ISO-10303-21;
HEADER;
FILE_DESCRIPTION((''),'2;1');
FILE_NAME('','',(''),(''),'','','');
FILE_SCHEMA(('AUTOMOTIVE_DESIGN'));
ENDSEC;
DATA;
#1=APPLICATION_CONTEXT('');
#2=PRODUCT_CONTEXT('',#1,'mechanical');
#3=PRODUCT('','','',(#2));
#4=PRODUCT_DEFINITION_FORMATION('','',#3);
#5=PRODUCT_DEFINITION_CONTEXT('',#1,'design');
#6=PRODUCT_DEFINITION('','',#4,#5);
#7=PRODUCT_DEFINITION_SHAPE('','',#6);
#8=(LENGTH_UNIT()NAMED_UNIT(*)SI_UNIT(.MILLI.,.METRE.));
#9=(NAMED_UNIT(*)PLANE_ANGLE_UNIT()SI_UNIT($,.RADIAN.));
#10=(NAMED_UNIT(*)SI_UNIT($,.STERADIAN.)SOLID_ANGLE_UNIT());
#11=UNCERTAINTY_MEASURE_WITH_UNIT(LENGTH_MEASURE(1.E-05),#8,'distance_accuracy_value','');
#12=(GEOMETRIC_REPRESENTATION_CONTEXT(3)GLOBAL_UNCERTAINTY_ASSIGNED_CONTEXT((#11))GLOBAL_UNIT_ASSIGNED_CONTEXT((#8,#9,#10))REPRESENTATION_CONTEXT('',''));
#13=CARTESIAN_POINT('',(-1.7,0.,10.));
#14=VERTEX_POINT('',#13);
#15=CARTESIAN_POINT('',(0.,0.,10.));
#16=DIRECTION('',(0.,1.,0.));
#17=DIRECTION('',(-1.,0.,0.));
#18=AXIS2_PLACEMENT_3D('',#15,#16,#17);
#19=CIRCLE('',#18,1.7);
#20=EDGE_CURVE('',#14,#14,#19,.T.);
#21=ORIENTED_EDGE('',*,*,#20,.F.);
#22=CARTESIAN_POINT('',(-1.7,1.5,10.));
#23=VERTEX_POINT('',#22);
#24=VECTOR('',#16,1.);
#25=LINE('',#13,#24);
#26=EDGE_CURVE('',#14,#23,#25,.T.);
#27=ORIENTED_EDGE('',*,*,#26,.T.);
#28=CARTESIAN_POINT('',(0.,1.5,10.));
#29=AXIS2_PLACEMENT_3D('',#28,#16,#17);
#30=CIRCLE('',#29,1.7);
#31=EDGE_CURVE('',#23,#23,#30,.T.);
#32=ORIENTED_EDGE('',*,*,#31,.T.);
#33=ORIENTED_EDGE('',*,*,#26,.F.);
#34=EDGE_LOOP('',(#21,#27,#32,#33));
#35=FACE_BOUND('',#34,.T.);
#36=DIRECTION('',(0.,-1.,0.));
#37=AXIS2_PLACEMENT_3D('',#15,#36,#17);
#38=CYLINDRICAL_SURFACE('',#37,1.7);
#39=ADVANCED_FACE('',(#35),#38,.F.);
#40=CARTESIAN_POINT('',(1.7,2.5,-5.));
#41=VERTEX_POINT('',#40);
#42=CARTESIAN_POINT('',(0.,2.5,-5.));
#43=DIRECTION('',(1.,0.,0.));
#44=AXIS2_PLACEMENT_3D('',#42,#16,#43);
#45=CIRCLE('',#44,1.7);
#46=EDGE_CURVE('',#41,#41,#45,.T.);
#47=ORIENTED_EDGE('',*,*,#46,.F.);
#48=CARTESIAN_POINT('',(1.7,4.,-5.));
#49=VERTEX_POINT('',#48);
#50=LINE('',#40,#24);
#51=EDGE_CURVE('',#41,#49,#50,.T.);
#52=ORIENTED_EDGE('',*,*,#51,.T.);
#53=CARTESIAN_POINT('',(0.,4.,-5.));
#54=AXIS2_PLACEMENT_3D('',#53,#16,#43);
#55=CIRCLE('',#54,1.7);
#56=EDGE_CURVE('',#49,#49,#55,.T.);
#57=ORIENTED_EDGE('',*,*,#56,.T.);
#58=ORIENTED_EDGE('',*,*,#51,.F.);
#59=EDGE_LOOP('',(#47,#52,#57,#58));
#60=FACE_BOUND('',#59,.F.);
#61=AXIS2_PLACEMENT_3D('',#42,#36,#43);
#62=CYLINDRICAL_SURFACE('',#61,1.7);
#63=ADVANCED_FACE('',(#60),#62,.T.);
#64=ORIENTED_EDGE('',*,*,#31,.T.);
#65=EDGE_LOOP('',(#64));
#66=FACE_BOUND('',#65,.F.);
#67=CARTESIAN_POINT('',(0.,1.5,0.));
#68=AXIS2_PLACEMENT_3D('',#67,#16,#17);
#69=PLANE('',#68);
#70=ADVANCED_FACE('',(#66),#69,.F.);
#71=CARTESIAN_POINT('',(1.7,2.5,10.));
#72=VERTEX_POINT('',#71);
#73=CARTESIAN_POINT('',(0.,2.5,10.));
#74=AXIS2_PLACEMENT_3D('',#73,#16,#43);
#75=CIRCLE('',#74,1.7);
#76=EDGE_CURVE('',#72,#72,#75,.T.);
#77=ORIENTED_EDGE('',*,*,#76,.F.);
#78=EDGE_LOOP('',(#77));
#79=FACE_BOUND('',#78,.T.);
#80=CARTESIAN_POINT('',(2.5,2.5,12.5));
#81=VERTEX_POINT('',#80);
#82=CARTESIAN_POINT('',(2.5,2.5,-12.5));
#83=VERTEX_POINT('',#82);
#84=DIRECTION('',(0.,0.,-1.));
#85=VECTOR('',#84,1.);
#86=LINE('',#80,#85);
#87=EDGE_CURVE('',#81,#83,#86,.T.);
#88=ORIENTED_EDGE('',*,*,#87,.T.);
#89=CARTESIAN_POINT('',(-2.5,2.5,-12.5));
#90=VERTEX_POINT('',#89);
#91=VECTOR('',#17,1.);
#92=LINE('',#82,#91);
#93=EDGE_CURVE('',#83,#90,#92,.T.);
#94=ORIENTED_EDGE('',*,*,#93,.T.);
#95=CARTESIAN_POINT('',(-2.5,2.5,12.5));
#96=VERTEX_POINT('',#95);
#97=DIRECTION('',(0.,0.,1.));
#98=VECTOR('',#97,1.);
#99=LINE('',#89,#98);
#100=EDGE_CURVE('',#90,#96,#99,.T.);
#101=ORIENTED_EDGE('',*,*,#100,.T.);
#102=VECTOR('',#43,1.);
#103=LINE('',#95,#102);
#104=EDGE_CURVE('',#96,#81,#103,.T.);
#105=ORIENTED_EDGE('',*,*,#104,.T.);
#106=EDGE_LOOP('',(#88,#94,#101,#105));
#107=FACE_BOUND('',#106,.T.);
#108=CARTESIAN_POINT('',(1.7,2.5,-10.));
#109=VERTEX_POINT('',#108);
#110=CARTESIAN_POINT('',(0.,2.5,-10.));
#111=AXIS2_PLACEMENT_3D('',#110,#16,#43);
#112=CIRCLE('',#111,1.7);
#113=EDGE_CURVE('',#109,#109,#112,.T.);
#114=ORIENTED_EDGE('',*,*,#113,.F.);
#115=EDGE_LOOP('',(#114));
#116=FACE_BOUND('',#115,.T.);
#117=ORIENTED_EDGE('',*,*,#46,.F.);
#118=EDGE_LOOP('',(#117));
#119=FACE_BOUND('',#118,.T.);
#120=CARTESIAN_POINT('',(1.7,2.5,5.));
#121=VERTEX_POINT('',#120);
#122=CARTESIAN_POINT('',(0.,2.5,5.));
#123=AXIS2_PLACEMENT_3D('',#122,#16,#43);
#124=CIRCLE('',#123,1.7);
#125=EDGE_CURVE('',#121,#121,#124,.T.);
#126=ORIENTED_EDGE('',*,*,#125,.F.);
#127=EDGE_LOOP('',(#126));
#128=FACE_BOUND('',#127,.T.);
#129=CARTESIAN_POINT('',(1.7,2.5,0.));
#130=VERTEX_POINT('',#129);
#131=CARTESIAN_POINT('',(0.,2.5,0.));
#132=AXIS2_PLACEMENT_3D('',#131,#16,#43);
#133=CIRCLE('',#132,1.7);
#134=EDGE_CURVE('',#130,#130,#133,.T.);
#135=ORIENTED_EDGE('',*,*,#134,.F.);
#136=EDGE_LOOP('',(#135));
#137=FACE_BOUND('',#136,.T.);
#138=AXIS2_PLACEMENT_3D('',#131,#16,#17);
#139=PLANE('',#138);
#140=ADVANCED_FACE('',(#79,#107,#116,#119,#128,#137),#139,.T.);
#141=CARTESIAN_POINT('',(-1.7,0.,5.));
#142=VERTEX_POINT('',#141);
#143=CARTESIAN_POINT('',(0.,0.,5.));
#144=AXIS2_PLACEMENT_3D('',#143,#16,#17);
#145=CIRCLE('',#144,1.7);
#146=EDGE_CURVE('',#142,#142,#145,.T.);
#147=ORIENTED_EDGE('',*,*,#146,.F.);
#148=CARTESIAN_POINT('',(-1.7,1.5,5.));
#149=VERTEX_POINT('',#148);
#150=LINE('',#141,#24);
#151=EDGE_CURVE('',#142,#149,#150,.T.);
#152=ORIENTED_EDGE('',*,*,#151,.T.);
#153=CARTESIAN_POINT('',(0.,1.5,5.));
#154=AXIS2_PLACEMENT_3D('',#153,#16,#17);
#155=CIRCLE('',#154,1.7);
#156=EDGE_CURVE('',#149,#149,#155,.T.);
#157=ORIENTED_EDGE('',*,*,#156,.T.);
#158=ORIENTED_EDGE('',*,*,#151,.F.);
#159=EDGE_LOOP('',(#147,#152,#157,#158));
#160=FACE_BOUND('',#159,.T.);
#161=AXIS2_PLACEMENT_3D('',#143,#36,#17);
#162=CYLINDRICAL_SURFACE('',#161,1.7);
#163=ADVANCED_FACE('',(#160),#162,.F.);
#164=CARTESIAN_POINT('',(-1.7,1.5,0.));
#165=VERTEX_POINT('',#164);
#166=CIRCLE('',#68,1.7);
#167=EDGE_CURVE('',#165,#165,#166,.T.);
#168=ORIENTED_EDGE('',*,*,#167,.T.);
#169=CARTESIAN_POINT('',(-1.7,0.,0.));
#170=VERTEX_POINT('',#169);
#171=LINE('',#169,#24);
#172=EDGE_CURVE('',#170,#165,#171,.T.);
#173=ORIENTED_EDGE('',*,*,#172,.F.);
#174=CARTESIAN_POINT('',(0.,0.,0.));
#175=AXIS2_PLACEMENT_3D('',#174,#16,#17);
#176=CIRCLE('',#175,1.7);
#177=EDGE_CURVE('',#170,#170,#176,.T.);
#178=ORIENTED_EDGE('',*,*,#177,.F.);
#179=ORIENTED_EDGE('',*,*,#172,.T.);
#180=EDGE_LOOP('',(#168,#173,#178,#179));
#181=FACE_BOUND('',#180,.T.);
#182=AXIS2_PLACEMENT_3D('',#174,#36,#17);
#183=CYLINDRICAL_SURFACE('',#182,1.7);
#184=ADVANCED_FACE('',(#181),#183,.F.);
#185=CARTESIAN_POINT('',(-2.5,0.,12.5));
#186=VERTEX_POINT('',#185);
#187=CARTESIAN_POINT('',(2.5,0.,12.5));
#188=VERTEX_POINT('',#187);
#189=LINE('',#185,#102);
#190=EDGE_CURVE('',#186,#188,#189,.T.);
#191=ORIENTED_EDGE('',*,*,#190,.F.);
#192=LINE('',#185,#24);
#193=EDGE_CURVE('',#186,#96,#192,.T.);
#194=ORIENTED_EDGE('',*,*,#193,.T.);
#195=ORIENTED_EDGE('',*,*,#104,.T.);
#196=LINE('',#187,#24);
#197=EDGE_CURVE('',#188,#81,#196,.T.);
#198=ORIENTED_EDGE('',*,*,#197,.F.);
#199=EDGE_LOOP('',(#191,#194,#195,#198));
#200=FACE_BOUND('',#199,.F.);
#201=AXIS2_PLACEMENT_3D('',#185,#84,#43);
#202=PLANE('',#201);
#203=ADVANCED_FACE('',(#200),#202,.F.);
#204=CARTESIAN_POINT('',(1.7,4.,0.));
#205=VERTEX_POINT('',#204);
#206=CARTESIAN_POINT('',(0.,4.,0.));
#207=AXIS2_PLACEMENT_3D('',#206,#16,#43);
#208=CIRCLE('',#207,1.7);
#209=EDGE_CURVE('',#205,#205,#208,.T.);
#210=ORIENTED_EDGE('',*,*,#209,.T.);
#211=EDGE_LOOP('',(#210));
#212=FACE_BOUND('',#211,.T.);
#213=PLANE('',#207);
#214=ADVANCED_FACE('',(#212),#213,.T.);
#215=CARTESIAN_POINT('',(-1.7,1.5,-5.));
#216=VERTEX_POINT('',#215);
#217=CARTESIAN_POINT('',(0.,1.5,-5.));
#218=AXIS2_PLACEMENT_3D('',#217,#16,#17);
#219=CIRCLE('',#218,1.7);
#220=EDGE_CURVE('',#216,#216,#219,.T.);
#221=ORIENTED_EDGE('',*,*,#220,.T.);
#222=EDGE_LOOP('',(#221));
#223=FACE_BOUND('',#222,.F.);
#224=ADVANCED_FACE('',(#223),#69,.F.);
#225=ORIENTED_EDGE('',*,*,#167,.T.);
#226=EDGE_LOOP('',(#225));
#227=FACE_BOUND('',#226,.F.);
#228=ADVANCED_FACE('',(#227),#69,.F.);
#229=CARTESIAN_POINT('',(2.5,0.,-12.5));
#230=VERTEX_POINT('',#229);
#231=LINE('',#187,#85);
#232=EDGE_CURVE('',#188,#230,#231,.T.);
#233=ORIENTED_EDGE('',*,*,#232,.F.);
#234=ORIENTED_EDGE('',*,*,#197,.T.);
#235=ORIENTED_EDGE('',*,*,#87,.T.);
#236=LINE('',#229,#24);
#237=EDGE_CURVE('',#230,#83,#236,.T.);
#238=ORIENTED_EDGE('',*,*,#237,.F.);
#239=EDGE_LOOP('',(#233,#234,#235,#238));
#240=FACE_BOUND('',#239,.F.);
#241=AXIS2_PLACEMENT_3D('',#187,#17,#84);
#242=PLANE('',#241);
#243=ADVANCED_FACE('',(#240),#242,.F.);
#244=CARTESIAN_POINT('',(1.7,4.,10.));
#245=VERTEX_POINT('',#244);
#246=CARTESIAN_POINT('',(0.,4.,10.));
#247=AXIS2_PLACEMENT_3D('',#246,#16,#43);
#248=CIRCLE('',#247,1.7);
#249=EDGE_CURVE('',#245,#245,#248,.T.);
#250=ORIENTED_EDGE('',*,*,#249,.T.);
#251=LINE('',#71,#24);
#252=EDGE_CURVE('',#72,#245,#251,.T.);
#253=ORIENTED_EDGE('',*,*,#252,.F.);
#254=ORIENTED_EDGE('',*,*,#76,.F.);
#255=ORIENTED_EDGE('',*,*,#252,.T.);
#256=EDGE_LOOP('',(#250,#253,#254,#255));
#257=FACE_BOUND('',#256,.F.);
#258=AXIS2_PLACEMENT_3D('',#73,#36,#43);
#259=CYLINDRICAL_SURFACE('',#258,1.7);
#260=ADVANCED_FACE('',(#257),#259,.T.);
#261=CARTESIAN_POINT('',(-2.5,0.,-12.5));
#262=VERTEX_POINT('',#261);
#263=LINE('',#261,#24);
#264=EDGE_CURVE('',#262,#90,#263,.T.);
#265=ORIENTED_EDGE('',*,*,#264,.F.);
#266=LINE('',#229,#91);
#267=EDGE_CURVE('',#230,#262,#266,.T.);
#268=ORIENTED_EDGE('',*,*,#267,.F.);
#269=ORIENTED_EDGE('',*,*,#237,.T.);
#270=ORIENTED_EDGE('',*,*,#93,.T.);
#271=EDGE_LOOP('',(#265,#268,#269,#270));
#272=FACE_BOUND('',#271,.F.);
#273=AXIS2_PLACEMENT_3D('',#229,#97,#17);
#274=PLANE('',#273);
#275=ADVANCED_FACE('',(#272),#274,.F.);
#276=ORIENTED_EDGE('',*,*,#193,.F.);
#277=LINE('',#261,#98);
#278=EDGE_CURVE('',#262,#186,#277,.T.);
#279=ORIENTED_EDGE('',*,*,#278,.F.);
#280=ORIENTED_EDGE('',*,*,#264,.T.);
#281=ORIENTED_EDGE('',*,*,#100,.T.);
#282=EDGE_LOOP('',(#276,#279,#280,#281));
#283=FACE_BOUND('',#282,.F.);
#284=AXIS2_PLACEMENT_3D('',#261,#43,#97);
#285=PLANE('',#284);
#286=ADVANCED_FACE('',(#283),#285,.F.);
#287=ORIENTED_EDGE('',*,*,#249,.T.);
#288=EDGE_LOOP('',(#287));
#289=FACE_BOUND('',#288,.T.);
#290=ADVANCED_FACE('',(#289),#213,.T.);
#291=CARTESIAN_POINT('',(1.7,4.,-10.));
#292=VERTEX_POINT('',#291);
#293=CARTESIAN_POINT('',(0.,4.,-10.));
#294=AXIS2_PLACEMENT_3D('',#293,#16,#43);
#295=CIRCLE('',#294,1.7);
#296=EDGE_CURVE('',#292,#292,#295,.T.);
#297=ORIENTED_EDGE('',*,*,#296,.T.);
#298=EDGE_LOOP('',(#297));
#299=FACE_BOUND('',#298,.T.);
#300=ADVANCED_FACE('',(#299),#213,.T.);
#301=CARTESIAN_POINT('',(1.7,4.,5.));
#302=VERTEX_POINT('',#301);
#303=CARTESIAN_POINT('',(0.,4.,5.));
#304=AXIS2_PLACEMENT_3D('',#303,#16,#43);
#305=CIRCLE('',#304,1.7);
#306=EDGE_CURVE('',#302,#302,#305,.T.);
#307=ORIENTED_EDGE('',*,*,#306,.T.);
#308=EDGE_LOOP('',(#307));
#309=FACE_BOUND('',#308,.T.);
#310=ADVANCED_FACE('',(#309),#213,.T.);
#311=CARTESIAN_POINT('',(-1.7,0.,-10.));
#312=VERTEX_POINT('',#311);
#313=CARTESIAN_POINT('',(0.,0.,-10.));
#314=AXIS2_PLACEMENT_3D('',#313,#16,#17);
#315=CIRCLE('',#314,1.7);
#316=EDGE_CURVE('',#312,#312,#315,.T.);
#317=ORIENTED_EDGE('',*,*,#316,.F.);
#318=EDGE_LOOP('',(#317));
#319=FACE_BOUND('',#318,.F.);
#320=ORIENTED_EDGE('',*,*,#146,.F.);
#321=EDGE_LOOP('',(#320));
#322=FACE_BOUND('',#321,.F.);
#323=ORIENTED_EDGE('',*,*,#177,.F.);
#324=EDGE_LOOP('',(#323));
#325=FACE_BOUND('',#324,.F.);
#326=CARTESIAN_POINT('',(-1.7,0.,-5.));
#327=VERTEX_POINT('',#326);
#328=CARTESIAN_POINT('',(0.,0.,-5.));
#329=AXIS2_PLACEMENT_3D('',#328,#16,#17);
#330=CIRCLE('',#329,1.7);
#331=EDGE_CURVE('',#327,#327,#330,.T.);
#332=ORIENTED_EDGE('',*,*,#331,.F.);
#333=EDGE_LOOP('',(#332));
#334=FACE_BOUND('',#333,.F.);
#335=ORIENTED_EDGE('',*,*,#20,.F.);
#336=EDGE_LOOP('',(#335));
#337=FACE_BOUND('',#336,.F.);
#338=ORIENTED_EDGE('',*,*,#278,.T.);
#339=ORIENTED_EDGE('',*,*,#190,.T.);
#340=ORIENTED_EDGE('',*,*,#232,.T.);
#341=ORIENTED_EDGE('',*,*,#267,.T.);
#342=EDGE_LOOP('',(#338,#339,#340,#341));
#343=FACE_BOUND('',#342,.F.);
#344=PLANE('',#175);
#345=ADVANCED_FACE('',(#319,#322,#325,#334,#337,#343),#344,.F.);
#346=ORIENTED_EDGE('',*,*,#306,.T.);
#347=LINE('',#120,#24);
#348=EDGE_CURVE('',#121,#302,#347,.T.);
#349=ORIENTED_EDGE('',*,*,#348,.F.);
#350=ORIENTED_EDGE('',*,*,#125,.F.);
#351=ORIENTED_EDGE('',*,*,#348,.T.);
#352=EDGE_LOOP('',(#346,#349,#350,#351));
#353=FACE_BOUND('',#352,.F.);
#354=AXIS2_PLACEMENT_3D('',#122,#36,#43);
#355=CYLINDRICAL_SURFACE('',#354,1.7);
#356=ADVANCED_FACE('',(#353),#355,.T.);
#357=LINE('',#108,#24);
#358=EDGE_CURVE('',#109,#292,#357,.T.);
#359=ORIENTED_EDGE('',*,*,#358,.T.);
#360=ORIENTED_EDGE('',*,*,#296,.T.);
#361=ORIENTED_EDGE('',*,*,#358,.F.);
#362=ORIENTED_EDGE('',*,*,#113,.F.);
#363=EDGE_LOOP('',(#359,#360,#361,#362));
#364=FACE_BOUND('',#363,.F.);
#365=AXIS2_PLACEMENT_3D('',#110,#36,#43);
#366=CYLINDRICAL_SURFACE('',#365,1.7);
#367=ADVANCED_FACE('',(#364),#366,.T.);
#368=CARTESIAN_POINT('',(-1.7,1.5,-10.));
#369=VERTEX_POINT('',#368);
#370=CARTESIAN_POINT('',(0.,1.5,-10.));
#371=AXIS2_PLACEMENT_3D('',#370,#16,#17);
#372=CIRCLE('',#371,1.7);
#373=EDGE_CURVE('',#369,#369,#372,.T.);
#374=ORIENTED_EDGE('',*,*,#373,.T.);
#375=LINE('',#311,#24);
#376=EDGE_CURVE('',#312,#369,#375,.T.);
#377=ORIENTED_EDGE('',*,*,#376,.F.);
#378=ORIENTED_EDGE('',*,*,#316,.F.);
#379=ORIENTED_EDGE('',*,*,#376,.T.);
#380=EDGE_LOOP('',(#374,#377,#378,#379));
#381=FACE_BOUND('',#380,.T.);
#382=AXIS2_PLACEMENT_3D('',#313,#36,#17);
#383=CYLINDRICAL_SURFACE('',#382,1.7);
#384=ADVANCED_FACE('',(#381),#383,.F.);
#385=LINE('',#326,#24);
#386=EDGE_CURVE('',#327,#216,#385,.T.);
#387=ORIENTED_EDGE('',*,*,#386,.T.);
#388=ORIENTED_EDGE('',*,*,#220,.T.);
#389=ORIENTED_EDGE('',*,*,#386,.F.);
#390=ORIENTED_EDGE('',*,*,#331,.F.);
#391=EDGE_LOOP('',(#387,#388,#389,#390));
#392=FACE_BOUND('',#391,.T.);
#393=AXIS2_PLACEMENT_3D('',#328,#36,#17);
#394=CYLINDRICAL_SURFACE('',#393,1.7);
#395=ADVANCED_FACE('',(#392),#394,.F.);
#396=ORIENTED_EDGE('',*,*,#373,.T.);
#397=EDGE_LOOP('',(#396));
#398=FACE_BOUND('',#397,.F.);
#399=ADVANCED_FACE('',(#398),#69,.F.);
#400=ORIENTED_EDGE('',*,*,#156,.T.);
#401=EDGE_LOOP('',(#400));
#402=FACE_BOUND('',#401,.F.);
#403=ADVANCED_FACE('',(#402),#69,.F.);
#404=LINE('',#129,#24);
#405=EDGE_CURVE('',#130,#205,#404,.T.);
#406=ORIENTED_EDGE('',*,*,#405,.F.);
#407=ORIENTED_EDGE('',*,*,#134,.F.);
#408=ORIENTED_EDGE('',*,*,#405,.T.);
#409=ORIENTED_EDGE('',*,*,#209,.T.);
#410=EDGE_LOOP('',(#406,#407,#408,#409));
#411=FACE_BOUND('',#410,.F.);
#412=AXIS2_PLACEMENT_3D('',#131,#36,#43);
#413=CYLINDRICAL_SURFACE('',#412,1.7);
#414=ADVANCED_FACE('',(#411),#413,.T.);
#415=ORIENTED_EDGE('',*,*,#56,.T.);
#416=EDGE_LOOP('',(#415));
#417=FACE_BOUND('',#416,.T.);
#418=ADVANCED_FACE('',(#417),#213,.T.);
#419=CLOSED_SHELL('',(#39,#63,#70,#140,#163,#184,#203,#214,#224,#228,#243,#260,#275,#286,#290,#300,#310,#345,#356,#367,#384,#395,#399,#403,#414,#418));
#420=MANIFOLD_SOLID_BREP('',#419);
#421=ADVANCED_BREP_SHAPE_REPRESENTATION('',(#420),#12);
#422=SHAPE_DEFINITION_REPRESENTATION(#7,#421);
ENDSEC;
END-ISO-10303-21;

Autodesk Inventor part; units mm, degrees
ref_plane "YZ Plane" through (0, 0, 0) normal (1, 0, 0) x (0, 1, 0)
ref_plane "XZ Plane" through (0, 0, 0) normal (0, 1, 0) x (-1, 0, 0)
ref_plane "XY Plane" through (0, 0, 0) normal (0, 0, 1) x (1, 0, 0)
sketch "草圖1" plane through (0, 0, 0) normal (0, 1, 0) x (-1, 0, 0)
  line L0 (2.5, 12.5) -> (-2.5, 12.5)
  line L1 (-2.5, 12.5) -> (-2.5, -12.5)
  line L2 (-2.5, -12.5) -> (2.5, -12.5)
  line L3 (2.5, -12.5) -> (2.5, 12.5)
  circle A0 centre (0, 10) radius 1.7
  circle A1 centre (0, 5) radius 1.7
  circle A2 centre (0, 0) radius 1.7
  circle A3 centre (0, -5) radius 1.7
  circle A4 centre (0, -10) radius 1.7
  point P0 (0, 0)
  point P1 (2.5, 0)
  point P2 (0, -12.5)
  dimension "d0" = 5
  dimension "d1" = 25
  dimension "d2" = 3.4
  dimension "d3" = 2.5
  dimension "d4" = 2.5
  dimension "d7" = 5
extrude "擠出1" add sketch "草圖1" along normal blind 2.5 contours L3 L2 L1 L0 | A0 | A1 | A2 | A3 | A4
extrude "擠出2" cut sketch "草圖1" along normal blind 1.5 contours A0 | A1 | A2 | A3 | A4
sketch "草圖2" plane through (0, 2.5, 0) normal (0, 1, 0) x (1, 0, 0)
  circle A0 centre (0, -10) radius 1.7 projected
  circle A1 centre (0, -5) radius 1.7 projected
  circle A2 centre (0, 0) radius 1.7 projected
  circle A3 centre (0, 5) radius 1.7 projected
  circle A4 centre (0, 10) radius 1.7 projected
  point P0 (0, 0)
extrude "擠出3" add sketch "草圖2" along normal blind 1.5
properties part number "110033226_ipt_16_圍牆"
